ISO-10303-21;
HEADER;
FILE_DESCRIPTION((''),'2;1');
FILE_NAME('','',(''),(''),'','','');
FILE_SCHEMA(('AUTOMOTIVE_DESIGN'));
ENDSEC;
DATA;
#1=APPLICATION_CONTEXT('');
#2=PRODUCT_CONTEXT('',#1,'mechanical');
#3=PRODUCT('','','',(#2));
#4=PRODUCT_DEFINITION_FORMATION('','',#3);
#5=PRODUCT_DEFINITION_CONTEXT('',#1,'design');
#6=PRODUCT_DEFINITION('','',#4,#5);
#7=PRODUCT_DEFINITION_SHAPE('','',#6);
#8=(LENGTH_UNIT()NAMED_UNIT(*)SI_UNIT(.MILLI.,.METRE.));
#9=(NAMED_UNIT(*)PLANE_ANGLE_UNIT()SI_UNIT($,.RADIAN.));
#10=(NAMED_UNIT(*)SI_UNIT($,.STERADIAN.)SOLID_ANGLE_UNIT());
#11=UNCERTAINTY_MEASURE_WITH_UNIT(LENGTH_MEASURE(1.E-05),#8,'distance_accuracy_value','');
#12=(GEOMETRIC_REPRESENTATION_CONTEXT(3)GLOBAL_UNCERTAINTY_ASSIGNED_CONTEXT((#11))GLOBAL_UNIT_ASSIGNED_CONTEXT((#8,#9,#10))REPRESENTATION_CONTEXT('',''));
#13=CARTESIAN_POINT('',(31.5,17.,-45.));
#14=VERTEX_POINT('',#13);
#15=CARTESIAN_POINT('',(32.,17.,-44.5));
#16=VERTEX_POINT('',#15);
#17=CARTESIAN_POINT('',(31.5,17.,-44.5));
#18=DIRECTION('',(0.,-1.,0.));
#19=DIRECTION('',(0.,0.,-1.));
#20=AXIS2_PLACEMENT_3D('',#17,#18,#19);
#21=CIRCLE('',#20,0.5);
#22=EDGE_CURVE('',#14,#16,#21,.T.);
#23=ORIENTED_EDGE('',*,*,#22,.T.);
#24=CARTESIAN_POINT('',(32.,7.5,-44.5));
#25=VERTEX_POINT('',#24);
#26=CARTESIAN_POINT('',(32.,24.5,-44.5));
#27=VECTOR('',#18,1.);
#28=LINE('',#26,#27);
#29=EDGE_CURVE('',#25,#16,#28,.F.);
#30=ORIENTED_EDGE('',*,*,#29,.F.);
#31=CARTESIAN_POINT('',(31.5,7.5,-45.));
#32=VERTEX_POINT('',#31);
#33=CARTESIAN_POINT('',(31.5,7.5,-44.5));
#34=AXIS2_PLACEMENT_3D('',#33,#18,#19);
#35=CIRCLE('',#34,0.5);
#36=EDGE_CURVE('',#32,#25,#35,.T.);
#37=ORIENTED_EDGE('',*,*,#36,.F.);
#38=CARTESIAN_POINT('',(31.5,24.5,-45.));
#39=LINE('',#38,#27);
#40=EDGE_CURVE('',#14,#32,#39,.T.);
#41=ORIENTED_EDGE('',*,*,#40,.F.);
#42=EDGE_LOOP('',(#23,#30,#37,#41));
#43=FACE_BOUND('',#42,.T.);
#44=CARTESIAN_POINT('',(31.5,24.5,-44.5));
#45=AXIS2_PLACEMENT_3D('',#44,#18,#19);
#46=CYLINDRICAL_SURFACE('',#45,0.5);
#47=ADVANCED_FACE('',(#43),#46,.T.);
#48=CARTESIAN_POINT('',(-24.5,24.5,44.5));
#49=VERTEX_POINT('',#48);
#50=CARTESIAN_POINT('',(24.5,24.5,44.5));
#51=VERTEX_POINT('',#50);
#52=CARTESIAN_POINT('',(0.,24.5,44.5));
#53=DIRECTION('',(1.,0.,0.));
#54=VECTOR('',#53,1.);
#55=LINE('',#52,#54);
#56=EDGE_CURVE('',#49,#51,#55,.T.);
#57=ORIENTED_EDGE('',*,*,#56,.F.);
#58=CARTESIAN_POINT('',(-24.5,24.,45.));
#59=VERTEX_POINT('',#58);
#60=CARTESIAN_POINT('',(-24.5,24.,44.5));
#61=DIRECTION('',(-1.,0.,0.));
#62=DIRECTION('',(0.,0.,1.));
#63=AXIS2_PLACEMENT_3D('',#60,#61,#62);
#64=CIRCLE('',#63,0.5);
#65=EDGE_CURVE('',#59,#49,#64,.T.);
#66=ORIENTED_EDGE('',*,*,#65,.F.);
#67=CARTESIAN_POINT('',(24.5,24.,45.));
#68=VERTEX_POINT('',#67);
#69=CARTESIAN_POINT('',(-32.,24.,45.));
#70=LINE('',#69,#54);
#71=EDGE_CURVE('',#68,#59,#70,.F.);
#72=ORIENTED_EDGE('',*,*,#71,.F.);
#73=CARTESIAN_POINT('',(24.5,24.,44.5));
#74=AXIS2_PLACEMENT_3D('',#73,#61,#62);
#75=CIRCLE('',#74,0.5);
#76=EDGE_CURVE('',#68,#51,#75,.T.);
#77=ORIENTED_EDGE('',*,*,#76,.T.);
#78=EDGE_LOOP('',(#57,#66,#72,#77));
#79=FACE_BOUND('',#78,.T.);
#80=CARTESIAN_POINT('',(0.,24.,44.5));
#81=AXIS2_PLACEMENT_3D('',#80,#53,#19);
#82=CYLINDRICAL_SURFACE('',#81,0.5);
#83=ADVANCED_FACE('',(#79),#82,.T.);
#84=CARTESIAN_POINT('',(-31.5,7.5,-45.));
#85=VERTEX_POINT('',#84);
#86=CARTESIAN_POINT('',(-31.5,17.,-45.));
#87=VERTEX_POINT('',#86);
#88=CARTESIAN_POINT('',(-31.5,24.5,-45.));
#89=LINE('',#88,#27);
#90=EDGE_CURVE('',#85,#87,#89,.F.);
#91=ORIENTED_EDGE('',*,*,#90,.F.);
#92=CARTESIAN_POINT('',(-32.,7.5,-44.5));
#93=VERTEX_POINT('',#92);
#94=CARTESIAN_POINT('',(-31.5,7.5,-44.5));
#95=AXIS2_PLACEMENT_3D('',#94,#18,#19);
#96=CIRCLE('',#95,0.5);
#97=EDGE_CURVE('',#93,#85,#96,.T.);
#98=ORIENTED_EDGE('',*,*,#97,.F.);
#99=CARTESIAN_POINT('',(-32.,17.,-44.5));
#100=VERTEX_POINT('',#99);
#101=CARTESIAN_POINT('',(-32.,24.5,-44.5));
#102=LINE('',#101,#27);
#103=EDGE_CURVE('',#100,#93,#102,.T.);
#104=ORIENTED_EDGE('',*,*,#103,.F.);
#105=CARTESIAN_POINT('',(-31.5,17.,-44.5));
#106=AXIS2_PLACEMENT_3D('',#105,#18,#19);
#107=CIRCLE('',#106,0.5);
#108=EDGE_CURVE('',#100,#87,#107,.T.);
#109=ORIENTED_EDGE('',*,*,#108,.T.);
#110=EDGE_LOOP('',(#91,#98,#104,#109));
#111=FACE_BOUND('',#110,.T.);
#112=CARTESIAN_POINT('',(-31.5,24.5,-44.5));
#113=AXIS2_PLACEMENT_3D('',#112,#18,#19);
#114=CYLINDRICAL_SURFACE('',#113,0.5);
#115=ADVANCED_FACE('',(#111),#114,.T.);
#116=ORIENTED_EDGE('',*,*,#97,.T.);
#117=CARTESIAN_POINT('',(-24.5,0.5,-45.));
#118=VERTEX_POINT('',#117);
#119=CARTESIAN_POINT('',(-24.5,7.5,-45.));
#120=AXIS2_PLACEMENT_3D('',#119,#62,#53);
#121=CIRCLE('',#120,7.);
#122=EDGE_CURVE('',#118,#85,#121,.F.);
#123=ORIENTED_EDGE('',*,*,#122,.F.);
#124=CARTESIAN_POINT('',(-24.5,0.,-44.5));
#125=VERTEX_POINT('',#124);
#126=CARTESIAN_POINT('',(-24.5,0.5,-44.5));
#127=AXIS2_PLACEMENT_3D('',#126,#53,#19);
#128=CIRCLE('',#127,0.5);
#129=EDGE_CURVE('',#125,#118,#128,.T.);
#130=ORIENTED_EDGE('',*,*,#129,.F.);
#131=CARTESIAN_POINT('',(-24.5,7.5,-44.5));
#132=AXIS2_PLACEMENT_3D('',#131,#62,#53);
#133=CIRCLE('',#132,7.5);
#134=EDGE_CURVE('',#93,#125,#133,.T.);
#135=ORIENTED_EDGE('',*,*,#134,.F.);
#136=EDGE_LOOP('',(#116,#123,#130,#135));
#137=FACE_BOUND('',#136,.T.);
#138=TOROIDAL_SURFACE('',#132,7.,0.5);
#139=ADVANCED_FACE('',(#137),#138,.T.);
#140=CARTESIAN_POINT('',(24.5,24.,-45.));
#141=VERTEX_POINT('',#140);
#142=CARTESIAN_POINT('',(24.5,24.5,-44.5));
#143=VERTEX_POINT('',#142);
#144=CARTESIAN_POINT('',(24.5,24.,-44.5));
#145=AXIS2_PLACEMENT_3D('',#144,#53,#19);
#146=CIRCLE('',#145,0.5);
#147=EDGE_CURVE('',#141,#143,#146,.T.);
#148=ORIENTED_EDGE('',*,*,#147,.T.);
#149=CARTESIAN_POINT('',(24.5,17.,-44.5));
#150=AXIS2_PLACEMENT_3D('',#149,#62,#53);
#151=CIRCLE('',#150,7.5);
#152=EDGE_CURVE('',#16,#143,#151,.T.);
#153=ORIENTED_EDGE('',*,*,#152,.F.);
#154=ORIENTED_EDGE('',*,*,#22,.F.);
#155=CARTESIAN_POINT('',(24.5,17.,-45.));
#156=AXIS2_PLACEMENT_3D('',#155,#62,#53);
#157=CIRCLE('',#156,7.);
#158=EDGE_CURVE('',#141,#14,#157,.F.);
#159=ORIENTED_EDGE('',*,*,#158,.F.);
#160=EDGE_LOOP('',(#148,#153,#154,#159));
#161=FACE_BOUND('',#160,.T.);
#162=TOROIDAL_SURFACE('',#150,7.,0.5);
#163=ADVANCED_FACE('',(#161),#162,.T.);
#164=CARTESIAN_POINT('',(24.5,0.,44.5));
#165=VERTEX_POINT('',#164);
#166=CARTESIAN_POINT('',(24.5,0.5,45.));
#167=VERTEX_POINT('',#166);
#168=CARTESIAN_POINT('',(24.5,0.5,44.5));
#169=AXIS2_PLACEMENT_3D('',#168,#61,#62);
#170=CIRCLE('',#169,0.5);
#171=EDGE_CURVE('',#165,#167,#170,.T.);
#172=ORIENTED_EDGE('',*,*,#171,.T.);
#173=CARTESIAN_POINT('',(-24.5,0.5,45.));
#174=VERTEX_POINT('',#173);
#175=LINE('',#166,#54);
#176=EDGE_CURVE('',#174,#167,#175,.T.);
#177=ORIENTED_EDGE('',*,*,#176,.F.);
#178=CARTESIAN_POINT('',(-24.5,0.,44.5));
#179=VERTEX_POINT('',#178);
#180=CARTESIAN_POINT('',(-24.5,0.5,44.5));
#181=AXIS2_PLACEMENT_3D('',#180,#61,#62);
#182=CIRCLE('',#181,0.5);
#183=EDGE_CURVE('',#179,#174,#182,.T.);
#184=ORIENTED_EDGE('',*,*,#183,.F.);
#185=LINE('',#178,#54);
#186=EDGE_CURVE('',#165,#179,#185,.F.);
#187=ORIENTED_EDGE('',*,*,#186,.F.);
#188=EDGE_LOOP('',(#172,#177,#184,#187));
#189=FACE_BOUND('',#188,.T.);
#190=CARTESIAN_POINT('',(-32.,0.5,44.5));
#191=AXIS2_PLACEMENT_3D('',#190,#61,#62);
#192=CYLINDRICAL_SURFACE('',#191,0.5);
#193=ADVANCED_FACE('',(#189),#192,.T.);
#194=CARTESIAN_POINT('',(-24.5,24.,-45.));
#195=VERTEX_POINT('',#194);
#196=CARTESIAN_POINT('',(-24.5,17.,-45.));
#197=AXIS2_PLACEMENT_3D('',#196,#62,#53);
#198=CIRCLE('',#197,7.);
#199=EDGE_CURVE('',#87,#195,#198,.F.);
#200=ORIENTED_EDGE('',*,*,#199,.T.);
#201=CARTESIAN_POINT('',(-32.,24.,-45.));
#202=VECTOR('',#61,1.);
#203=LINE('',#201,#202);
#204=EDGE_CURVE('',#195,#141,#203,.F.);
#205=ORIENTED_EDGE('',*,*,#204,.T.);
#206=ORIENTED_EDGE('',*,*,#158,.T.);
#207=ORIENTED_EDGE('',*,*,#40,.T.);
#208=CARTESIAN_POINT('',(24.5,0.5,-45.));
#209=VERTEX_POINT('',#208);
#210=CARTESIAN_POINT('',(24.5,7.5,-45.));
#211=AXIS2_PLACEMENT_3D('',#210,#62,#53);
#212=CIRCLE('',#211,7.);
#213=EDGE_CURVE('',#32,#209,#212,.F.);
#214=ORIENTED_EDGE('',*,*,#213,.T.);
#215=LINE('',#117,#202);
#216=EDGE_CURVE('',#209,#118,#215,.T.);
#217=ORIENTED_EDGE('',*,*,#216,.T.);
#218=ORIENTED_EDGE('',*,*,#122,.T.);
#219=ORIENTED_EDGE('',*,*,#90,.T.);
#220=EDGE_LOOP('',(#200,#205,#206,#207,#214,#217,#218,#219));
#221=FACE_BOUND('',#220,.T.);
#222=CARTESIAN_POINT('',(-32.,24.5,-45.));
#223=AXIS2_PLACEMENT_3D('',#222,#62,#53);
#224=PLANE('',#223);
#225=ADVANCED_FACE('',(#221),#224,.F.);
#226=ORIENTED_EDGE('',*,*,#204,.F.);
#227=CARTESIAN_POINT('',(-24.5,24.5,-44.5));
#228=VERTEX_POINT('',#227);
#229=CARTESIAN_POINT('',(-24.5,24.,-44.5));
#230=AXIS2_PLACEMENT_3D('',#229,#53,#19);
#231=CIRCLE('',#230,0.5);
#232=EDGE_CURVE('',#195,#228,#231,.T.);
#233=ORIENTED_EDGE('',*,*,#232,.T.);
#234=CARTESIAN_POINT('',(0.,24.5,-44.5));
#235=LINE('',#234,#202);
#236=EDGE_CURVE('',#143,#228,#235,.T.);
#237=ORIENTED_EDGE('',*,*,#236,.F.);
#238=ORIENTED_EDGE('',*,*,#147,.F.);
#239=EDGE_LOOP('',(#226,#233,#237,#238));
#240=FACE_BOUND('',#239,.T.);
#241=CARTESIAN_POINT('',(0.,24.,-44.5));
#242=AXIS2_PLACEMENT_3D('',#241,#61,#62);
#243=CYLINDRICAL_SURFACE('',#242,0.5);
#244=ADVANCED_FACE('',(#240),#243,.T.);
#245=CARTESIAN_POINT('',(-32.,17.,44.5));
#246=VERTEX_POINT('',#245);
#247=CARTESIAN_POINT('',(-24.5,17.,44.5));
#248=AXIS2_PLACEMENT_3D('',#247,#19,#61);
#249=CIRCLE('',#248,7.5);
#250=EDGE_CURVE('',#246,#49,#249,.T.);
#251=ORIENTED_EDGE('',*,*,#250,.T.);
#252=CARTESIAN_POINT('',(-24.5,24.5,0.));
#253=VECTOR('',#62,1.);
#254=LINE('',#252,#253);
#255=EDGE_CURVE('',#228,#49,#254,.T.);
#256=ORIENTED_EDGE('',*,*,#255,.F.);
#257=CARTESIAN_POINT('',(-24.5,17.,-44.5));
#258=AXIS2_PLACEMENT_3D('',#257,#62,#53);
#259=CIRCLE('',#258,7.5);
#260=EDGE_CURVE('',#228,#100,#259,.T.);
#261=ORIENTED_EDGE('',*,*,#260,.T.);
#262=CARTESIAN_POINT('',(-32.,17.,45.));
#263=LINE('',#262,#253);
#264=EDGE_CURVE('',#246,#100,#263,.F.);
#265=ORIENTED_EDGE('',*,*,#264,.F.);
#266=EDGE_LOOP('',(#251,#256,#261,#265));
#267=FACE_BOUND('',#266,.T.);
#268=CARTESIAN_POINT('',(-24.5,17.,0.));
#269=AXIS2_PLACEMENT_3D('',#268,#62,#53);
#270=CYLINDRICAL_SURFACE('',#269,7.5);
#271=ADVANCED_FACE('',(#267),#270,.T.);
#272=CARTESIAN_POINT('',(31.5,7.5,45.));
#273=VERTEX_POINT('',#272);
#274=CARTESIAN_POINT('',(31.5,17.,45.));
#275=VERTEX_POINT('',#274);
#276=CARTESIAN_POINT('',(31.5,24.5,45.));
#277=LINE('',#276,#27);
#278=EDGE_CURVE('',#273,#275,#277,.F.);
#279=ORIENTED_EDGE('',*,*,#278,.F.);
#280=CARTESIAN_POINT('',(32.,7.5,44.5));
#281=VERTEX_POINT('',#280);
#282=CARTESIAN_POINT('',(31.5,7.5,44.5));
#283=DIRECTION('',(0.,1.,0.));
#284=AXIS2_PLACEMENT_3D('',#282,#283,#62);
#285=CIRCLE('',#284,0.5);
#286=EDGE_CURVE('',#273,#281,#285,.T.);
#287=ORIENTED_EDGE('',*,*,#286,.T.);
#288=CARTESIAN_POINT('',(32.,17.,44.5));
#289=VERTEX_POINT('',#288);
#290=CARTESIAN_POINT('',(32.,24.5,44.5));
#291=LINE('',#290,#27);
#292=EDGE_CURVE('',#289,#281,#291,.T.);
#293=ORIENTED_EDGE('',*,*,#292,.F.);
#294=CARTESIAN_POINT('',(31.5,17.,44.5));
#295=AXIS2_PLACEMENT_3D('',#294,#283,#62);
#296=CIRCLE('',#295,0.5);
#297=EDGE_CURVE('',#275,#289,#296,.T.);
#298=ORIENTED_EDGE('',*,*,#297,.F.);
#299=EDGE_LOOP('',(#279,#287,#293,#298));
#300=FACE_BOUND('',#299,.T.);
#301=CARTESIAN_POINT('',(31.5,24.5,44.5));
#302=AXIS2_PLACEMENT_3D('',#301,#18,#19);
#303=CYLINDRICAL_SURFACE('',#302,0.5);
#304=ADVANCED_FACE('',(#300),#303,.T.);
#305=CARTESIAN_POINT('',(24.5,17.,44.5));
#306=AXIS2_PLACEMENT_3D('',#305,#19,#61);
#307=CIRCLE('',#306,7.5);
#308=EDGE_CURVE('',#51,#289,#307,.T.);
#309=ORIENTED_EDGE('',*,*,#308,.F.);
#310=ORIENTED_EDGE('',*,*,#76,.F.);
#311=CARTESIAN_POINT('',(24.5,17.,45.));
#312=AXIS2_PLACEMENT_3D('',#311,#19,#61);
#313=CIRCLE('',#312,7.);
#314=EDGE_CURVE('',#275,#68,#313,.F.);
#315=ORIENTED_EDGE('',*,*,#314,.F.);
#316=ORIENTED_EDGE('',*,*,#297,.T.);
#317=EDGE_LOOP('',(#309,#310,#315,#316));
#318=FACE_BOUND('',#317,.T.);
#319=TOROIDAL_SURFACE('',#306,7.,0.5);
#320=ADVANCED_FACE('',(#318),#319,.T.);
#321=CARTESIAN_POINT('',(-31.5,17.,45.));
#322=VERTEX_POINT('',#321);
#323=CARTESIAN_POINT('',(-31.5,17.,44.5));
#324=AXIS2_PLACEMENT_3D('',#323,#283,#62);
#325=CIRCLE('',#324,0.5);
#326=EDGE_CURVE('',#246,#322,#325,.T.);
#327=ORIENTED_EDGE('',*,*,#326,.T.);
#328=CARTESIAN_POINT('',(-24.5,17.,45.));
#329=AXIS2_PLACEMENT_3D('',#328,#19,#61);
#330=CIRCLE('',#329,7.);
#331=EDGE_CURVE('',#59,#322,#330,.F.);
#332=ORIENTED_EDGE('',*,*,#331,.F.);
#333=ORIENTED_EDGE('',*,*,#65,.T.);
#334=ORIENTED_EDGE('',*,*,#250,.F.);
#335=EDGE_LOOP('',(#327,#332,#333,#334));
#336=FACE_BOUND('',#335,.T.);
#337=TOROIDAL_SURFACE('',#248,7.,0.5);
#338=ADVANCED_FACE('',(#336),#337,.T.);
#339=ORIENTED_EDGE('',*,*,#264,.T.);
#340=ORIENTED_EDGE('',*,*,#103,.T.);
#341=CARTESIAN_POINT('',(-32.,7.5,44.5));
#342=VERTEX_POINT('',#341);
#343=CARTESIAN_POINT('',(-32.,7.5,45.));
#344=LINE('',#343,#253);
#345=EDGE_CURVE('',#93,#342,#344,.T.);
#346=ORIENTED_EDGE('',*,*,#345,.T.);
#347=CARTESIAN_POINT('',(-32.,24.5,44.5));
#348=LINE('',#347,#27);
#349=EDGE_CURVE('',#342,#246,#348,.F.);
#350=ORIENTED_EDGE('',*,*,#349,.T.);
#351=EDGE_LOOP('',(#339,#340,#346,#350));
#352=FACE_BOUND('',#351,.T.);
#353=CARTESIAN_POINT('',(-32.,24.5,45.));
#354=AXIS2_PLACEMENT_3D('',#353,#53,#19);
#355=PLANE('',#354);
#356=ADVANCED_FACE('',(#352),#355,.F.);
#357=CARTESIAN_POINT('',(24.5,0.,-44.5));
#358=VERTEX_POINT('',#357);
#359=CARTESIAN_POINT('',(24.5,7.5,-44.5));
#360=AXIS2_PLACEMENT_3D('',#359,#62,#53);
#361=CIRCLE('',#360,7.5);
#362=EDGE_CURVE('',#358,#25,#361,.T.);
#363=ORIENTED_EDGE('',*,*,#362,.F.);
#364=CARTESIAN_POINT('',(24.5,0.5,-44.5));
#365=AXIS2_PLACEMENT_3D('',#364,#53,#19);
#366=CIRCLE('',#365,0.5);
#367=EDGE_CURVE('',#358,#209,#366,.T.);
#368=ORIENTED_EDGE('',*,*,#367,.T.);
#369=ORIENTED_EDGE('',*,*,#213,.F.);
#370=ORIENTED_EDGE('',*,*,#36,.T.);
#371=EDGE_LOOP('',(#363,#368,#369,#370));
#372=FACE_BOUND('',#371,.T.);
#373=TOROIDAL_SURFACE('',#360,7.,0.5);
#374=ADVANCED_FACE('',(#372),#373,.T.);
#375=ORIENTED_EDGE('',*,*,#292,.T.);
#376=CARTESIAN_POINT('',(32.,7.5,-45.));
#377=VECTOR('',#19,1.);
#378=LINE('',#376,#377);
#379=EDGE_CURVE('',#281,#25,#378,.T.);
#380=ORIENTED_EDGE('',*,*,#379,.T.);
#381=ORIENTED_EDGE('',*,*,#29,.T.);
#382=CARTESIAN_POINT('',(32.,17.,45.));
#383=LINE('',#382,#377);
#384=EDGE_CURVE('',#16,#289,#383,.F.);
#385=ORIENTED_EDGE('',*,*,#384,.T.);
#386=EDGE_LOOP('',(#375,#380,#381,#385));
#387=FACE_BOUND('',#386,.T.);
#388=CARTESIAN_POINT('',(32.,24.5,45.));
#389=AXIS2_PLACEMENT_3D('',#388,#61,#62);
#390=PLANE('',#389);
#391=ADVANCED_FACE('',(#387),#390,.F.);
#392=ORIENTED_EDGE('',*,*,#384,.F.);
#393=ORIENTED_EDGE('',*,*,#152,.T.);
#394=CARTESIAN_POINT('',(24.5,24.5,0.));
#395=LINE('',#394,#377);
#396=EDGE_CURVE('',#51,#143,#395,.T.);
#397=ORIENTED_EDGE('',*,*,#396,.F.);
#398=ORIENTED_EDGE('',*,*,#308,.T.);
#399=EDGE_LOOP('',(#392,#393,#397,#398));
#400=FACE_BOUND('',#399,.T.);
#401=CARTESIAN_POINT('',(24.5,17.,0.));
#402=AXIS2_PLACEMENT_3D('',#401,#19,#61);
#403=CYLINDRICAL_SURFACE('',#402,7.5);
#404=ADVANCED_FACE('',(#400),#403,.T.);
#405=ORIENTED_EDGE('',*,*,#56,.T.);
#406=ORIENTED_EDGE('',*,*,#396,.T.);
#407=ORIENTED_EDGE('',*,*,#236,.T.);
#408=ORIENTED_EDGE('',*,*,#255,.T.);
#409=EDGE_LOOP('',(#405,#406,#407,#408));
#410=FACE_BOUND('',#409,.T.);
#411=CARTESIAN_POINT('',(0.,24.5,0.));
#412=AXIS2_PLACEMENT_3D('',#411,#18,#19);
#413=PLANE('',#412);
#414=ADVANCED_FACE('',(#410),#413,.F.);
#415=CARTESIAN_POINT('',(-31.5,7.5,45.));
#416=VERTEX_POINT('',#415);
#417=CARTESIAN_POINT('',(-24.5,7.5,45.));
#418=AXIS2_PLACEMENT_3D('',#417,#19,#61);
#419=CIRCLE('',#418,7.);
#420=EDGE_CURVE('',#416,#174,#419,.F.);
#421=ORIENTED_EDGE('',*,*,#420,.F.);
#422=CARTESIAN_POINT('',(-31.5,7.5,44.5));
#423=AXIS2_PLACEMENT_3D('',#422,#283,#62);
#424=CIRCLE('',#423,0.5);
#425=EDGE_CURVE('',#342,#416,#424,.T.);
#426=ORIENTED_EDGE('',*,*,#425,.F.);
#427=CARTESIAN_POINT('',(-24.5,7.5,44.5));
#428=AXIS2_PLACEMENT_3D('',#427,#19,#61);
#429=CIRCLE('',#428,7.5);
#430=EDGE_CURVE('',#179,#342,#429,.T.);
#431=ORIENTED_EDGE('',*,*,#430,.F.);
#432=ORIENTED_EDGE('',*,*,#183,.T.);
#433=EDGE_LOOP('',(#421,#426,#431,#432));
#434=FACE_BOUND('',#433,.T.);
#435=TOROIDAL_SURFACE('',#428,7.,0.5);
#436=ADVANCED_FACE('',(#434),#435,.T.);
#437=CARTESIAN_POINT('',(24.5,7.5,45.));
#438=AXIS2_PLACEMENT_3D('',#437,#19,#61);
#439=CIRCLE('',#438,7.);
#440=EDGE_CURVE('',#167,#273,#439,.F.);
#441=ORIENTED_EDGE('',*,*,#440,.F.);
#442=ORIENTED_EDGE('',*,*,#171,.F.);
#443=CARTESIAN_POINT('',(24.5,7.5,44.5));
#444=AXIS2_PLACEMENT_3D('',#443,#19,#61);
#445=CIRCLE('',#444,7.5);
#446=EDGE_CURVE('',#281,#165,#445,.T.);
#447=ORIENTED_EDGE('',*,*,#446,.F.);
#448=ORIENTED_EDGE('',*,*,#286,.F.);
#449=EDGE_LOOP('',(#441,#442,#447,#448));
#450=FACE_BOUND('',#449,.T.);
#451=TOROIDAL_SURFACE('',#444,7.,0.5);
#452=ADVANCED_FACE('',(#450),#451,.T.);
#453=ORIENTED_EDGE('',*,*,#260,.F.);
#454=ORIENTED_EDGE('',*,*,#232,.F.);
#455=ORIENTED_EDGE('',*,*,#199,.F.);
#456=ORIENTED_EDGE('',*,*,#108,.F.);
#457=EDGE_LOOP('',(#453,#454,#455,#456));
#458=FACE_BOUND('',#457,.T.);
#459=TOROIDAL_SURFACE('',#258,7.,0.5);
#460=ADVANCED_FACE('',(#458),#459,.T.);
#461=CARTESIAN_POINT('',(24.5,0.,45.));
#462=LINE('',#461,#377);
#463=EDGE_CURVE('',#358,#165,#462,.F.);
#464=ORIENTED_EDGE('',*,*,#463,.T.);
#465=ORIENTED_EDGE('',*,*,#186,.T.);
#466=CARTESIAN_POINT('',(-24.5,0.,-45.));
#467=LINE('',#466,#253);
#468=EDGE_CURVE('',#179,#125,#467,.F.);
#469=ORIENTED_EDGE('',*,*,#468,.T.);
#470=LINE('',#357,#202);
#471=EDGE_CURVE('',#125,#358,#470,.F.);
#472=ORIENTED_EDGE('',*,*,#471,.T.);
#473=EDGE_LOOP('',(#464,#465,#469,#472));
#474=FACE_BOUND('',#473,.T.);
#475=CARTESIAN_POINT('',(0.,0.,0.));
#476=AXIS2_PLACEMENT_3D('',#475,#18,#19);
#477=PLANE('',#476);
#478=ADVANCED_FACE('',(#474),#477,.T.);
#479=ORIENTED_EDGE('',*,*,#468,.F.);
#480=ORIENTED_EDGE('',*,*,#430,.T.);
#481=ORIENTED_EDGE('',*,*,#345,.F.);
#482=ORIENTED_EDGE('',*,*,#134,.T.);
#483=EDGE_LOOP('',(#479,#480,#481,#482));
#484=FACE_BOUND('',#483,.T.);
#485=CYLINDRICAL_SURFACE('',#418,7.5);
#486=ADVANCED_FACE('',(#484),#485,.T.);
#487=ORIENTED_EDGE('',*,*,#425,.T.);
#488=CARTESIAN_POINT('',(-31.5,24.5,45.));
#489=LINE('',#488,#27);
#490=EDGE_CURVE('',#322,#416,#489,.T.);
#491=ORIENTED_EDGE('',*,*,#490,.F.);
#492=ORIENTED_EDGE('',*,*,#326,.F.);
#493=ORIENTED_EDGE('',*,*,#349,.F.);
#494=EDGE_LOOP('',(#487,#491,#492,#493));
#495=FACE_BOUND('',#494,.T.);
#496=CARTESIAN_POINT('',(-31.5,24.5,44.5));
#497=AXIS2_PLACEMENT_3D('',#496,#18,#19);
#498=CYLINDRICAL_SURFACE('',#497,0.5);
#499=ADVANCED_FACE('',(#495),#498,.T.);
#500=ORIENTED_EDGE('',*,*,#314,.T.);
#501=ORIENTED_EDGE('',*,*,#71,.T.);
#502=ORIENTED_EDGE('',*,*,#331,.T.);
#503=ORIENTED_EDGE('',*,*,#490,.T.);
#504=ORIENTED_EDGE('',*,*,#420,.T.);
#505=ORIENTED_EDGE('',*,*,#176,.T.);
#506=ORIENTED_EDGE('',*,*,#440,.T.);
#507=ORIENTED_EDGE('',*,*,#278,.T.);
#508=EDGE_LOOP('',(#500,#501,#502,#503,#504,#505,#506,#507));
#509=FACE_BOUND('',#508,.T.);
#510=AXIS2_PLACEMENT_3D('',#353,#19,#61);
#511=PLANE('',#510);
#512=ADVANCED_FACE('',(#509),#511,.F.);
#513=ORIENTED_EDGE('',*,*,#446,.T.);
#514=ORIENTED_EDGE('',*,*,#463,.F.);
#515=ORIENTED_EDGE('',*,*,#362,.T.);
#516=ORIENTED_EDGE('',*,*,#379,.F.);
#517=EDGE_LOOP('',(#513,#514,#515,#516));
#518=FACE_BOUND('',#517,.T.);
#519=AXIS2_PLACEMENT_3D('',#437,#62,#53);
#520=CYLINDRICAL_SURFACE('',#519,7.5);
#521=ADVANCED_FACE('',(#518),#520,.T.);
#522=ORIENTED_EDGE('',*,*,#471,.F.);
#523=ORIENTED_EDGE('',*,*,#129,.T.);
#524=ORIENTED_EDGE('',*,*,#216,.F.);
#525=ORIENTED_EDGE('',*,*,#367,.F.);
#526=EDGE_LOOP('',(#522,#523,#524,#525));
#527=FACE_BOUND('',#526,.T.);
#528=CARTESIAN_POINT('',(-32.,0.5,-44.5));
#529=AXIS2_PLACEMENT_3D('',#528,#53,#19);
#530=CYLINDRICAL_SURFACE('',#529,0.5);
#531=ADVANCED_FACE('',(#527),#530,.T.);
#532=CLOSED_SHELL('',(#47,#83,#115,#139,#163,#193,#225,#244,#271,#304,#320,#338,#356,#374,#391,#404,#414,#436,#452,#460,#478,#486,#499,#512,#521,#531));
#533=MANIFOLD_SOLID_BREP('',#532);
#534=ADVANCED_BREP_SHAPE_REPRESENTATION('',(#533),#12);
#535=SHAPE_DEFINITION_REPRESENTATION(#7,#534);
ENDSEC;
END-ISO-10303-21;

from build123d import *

# Parameters (mm, degrees)
CROQUIS1_W              = 64
CROQUIS1_H              = 90
SALIENTE_EXTRUIR1_DEPTH = 24.5
REDONDEO1_R             = 7.5
REDONDEO2_R             = 0.5


with BuildPart() as part:
    # Croquis1 → Saliente-Extruir1 (new body)
    with BuildSketch(Plane(origin=(0, 0, 0), x_dir=(1, 0, 0), z_dir=(0, 1, 0))):
        Rectangle(CROQUIS1_W, CROQUIS1_H)
    extrude(amount=SALIENTE_EXTRUIR1_DEPTH)

    # Redondeo1
    redondeo1_edges = [part.edges().sort_by_distance(p)[0] for p in [
        (-32, 24.5, 0),
        (32, 24.5, 0),
        (-32, 0, 0),
        (32, 0, 0),
    ]]
    fillet(redondeo1_edges, radius=REDONDEO1_R)

    # Redondeo2
    redondeo2_edges = [part.edges().sort_by_distance(p)[0] for p in [
        (-32, 12.25, 45),
        (-32, 12.25, -45),
        (0, 0, 45),
        (32, 12.25, 45),
        (0, 24.5, 45),
        (29.803300859, 22.303300859, 45),
        (29.803300859, 2.196699141, 45),
        (-29.803300859, 22.303300859, 45),
        (-29.803300859, 2.196699141, 45),
        (0, 0, -45),
        (0, 24.5, -45),
        (32, 12.25, -45),
        (29.803300859, 22.303300859, -45),
        (29.803300859, 2.196699141, -45),
        (-29.803300859, 22.303300859, -45),
        (-29.803300859, 2.196699141, -45),
    ]]
    fillet(redondeo2_edges, radius=REDONDEO2_R)


solid = part.part
